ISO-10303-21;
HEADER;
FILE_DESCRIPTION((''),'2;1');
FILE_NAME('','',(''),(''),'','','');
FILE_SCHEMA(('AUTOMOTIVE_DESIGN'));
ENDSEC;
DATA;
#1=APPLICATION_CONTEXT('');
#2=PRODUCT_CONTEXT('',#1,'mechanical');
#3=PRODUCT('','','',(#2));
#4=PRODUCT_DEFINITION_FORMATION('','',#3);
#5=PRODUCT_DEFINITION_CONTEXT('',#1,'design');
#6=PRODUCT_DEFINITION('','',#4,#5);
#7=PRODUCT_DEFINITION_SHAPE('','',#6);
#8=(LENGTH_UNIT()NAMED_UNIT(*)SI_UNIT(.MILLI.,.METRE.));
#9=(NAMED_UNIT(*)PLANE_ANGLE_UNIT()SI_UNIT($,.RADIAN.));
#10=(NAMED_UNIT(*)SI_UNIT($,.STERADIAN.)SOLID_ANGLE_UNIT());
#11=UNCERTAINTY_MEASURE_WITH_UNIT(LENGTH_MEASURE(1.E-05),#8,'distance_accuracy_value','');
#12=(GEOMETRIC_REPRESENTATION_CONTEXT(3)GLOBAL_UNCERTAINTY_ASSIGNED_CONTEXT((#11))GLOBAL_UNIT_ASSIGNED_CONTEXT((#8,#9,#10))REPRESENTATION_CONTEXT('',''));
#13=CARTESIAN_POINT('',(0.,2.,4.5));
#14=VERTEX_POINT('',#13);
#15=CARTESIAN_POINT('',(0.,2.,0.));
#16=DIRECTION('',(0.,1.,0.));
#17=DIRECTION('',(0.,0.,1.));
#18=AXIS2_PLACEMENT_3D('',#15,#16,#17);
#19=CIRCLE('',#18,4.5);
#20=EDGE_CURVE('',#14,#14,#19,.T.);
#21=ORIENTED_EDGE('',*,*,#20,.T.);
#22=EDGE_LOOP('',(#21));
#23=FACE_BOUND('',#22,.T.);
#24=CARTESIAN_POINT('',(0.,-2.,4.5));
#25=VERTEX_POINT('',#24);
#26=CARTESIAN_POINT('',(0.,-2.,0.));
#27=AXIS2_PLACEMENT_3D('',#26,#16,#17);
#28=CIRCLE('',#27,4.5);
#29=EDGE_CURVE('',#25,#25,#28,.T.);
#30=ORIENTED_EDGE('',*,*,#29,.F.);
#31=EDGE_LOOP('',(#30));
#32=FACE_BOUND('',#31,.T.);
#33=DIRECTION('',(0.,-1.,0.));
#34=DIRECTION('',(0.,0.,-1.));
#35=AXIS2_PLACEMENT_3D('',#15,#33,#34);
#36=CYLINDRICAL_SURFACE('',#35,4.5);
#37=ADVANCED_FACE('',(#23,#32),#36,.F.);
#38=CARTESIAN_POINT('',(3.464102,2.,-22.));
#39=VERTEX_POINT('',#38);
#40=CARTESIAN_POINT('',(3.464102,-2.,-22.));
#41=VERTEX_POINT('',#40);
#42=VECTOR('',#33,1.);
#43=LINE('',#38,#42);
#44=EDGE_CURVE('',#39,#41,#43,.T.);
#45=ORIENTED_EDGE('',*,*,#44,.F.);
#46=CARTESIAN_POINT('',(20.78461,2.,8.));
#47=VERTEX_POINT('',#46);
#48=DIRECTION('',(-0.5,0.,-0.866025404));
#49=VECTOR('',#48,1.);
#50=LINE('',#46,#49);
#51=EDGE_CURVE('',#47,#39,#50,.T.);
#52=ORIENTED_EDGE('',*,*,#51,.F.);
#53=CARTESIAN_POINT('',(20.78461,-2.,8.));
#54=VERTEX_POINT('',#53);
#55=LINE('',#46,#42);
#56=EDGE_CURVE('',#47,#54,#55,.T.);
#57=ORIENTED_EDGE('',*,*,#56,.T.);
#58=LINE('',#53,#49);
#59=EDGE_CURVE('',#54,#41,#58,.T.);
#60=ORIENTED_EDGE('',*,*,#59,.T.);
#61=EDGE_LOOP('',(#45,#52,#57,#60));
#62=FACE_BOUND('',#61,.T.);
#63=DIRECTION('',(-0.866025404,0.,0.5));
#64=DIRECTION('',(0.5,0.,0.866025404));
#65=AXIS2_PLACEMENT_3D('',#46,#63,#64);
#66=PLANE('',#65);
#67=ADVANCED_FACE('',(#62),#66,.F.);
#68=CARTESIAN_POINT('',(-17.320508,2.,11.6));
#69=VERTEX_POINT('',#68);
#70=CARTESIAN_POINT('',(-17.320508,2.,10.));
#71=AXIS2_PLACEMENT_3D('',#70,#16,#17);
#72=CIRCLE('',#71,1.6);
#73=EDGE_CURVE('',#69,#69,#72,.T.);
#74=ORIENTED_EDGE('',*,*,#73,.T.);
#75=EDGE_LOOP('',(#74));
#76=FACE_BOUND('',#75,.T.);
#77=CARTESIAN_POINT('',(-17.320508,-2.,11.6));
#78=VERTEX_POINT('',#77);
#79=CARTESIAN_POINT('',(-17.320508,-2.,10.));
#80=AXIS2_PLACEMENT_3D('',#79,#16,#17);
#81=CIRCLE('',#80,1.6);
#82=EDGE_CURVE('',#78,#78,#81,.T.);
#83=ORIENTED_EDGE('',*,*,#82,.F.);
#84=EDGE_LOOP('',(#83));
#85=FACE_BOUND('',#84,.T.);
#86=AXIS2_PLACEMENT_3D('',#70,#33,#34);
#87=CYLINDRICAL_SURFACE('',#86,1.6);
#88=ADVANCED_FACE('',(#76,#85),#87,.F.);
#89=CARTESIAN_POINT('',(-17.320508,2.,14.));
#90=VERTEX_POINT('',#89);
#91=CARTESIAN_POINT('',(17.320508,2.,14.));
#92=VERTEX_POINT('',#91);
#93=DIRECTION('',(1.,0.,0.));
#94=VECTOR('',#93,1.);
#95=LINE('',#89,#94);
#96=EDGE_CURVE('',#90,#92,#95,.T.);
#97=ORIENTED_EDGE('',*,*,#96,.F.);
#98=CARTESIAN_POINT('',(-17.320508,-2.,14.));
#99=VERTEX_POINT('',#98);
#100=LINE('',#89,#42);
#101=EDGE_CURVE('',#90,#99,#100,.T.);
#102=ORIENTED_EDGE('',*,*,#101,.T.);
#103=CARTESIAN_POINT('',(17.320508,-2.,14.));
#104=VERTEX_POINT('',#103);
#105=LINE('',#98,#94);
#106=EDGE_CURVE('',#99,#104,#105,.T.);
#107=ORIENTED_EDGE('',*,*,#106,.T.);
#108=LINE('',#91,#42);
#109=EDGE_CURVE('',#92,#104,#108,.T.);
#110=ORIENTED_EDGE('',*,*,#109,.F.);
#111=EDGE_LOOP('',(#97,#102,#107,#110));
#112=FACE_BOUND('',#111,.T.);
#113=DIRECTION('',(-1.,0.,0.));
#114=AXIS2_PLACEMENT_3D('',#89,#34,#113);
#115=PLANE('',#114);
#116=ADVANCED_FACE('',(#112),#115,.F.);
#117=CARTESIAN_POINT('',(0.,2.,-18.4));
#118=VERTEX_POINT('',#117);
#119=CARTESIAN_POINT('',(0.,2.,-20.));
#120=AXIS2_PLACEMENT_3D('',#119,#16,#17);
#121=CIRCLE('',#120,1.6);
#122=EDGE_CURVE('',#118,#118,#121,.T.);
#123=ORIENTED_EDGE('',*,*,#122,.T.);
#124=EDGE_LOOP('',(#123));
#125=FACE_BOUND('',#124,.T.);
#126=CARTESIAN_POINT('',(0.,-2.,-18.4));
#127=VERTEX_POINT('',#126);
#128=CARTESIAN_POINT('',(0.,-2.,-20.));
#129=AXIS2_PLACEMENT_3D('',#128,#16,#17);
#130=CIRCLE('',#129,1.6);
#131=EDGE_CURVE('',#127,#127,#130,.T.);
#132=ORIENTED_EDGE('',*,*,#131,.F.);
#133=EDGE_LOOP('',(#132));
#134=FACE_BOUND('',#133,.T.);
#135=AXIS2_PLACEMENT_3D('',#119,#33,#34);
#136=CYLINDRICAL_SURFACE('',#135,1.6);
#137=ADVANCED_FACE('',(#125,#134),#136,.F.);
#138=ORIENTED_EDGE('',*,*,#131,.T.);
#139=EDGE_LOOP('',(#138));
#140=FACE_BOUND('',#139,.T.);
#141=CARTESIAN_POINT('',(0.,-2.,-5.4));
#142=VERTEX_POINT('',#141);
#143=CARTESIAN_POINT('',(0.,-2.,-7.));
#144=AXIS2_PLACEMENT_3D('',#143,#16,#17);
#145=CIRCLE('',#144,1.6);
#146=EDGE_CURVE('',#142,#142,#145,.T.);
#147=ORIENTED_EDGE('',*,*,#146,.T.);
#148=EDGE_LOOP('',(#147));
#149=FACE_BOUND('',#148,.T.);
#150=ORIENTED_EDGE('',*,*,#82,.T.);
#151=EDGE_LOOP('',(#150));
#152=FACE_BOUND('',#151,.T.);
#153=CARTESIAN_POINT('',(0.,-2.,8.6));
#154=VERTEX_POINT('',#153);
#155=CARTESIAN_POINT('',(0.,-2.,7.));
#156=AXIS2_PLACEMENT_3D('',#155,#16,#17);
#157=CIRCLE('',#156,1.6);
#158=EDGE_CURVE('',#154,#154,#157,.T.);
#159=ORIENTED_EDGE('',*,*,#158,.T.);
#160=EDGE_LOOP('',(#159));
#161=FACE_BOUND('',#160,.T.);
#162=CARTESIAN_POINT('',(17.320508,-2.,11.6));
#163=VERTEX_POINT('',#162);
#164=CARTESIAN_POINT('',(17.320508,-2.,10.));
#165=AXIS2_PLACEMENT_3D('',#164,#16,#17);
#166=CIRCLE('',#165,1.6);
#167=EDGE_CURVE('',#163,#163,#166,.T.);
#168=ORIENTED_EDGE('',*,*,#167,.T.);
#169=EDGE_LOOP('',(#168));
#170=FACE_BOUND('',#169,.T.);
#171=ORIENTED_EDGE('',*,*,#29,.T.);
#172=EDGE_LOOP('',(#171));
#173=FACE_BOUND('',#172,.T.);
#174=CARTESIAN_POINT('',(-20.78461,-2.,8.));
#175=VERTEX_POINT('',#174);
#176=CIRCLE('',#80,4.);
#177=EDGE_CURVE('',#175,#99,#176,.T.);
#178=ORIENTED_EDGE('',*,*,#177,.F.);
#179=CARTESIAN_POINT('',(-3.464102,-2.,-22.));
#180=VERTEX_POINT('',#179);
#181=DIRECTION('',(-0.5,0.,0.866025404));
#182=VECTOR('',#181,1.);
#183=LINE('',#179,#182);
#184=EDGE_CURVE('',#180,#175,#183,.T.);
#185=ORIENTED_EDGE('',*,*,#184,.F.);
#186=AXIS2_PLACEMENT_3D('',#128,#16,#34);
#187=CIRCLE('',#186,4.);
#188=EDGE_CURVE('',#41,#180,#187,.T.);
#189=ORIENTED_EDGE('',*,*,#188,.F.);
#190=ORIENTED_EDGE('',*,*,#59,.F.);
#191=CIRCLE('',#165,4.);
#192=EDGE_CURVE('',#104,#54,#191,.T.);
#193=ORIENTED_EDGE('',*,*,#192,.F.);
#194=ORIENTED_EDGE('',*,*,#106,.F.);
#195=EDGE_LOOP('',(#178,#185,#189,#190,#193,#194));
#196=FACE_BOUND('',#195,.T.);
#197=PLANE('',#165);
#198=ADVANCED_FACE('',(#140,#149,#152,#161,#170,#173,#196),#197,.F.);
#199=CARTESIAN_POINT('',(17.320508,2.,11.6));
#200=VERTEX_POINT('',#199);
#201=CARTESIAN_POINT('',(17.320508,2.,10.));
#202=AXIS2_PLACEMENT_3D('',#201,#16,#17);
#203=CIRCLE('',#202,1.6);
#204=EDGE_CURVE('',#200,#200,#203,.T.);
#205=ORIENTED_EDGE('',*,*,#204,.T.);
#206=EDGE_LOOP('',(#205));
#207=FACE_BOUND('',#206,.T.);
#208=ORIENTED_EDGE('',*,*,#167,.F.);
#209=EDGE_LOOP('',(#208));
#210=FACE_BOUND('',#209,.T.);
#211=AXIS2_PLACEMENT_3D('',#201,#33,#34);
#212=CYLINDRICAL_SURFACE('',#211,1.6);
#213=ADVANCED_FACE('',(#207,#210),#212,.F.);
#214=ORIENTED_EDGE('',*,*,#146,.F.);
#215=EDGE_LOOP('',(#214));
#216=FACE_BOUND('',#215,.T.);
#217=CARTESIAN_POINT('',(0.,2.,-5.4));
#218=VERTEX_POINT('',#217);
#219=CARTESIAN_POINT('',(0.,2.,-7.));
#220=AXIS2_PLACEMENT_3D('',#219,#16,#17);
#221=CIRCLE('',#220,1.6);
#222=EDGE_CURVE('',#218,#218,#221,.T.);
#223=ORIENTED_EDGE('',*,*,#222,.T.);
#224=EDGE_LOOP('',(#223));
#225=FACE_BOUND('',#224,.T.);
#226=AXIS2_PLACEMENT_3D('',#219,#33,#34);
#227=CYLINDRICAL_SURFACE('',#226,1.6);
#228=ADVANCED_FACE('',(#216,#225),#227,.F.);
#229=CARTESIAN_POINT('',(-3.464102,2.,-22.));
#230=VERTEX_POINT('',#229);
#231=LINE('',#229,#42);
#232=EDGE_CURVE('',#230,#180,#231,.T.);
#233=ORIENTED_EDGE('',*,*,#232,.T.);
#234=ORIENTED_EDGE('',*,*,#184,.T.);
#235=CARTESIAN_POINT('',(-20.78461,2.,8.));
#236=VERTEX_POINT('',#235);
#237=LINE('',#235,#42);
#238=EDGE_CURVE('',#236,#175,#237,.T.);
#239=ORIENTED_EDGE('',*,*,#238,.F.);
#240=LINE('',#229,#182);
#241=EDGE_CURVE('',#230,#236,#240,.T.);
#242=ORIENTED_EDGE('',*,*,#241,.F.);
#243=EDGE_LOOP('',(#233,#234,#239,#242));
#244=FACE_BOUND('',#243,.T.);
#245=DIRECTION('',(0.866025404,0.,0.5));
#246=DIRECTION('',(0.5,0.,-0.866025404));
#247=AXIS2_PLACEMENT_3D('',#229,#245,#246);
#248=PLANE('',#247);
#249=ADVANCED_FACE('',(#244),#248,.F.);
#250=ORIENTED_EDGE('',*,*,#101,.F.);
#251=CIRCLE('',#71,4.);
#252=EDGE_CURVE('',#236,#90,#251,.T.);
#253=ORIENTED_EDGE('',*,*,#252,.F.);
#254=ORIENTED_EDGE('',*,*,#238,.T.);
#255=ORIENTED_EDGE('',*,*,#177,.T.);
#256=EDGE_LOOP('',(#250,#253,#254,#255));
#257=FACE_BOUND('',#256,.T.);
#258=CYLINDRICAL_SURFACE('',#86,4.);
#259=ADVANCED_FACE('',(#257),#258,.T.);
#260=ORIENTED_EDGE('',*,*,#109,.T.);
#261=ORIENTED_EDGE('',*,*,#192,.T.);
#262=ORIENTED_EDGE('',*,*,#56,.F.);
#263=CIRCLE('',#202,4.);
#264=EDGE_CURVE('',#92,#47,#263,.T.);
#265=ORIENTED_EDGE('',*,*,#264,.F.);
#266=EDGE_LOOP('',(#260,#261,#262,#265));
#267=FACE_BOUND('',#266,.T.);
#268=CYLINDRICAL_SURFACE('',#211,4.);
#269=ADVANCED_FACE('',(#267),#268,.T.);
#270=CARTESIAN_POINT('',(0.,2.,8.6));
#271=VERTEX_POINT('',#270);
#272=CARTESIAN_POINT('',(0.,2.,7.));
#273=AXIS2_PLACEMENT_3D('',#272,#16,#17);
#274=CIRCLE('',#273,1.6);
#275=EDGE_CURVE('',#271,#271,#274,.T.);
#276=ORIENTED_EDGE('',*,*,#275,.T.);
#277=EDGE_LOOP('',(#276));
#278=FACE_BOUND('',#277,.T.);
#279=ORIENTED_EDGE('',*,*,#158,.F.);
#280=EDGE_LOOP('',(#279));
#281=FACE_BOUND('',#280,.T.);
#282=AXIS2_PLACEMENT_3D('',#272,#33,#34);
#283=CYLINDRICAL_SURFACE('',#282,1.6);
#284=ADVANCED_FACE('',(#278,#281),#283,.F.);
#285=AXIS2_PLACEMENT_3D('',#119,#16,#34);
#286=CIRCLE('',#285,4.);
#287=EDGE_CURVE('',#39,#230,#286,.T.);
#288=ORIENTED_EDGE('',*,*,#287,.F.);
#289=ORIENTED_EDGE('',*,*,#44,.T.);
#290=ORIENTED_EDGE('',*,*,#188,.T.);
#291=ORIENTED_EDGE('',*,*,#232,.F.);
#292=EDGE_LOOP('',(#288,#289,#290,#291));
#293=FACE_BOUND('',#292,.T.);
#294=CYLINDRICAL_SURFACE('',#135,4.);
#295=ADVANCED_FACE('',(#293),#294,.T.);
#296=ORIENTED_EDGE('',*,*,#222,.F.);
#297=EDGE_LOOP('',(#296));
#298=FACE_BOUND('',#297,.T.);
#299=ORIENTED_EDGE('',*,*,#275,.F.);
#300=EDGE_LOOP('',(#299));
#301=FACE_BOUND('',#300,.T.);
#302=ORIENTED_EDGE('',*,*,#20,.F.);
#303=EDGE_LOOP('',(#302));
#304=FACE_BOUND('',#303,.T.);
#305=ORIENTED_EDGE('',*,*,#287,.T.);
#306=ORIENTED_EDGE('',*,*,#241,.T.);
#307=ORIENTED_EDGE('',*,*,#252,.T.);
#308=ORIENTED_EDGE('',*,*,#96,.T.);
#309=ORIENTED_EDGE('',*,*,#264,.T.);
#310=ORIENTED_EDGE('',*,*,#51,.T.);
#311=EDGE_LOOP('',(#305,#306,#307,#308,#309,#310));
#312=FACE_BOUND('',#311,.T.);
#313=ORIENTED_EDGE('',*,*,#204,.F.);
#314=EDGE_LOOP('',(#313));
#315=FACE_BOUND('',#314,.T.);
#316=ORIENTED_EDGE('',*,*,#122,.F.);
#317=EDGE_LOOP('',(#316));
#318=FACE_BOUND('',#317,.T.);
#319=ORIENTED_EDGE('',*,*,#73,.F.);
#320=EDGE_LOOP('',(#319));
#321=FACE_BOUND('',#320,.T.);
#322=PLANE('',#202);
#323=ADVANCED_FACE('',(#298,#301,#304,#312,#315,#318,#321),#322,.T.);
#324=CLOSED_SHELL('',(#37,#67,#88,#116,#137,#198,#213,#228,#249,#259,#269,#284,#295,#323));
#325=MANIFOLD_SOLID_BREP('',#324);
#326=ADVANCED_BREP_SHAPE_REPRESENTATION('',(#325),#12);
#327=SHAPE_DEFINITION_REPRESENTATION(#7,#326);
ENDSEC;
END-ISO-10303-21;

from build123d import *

# Parameters (mm, degrees)
SKETCH_2_R      = 1.6
SKETCH_2_R_2    = 4.5
EXTRUDE_1_DEPTH = 2


with BuildPart() as part:
    # 草图2 → 凸台-拉伸1 (new, symmetric)
    with BuildSketch(Plane(origin=(0, 0, 0), x_dir=(1, 0, 0), z_dir=(0, 1, 0))):
        with BuildLine():
            Line((-3.464101615, 22), (-20.784609691, -8))
            ThreePointArc((-20.784609691, -8), (-20.784609691, -12), (-17.320508076, -14))
            Line((-17.320508076, -14), (17.320508076, -14))
            ThreePointArc((17.320508076, -14), (20.784609691, -12), (20.784609691, -8))
            Line((20.784609691, -8), (3.464101615, 22))
            ThreePointArc((3.464101615, 22), (0, 24), (-3.464101615, 22))
        make_face()
        with Locations(Location((0, 7, 0), (0, 0, 270))):
            Circle(SKETCH_2_R, mode=Mode.SUBTRACT)
        with Locations(Location((0, -7, 0), (0, 0, 270))):
            Circle(SKETCH_2_R, mode=Mode.SUBTRACT)
        with Locations(Location((0, 20, 0), (0, 0, 270))):
            Circle(SKETCH_2_R, mode=Mode.SUBTRACT)
        with Locations(Location((17.320508076, -10, 0), (0, 0, 270))):
            Circle(SKETCH_2_R, mode=Mode.SUBTRACT)
        with Locations(Location((-17.320508076, -10, 0), (0, 0, 270))):
            Circle(SKETCH_2_R, mode=Mode.SUBTRACT)
        with Locations(Location((0, 0, 0), (0, 0, 270))):
            Circle(SKETCH_2_R_2, mode=Mode.SUBTRACT)
    extrude(amount=EXTRUDE_1_DEPTH, both=True)


solid = part.part
